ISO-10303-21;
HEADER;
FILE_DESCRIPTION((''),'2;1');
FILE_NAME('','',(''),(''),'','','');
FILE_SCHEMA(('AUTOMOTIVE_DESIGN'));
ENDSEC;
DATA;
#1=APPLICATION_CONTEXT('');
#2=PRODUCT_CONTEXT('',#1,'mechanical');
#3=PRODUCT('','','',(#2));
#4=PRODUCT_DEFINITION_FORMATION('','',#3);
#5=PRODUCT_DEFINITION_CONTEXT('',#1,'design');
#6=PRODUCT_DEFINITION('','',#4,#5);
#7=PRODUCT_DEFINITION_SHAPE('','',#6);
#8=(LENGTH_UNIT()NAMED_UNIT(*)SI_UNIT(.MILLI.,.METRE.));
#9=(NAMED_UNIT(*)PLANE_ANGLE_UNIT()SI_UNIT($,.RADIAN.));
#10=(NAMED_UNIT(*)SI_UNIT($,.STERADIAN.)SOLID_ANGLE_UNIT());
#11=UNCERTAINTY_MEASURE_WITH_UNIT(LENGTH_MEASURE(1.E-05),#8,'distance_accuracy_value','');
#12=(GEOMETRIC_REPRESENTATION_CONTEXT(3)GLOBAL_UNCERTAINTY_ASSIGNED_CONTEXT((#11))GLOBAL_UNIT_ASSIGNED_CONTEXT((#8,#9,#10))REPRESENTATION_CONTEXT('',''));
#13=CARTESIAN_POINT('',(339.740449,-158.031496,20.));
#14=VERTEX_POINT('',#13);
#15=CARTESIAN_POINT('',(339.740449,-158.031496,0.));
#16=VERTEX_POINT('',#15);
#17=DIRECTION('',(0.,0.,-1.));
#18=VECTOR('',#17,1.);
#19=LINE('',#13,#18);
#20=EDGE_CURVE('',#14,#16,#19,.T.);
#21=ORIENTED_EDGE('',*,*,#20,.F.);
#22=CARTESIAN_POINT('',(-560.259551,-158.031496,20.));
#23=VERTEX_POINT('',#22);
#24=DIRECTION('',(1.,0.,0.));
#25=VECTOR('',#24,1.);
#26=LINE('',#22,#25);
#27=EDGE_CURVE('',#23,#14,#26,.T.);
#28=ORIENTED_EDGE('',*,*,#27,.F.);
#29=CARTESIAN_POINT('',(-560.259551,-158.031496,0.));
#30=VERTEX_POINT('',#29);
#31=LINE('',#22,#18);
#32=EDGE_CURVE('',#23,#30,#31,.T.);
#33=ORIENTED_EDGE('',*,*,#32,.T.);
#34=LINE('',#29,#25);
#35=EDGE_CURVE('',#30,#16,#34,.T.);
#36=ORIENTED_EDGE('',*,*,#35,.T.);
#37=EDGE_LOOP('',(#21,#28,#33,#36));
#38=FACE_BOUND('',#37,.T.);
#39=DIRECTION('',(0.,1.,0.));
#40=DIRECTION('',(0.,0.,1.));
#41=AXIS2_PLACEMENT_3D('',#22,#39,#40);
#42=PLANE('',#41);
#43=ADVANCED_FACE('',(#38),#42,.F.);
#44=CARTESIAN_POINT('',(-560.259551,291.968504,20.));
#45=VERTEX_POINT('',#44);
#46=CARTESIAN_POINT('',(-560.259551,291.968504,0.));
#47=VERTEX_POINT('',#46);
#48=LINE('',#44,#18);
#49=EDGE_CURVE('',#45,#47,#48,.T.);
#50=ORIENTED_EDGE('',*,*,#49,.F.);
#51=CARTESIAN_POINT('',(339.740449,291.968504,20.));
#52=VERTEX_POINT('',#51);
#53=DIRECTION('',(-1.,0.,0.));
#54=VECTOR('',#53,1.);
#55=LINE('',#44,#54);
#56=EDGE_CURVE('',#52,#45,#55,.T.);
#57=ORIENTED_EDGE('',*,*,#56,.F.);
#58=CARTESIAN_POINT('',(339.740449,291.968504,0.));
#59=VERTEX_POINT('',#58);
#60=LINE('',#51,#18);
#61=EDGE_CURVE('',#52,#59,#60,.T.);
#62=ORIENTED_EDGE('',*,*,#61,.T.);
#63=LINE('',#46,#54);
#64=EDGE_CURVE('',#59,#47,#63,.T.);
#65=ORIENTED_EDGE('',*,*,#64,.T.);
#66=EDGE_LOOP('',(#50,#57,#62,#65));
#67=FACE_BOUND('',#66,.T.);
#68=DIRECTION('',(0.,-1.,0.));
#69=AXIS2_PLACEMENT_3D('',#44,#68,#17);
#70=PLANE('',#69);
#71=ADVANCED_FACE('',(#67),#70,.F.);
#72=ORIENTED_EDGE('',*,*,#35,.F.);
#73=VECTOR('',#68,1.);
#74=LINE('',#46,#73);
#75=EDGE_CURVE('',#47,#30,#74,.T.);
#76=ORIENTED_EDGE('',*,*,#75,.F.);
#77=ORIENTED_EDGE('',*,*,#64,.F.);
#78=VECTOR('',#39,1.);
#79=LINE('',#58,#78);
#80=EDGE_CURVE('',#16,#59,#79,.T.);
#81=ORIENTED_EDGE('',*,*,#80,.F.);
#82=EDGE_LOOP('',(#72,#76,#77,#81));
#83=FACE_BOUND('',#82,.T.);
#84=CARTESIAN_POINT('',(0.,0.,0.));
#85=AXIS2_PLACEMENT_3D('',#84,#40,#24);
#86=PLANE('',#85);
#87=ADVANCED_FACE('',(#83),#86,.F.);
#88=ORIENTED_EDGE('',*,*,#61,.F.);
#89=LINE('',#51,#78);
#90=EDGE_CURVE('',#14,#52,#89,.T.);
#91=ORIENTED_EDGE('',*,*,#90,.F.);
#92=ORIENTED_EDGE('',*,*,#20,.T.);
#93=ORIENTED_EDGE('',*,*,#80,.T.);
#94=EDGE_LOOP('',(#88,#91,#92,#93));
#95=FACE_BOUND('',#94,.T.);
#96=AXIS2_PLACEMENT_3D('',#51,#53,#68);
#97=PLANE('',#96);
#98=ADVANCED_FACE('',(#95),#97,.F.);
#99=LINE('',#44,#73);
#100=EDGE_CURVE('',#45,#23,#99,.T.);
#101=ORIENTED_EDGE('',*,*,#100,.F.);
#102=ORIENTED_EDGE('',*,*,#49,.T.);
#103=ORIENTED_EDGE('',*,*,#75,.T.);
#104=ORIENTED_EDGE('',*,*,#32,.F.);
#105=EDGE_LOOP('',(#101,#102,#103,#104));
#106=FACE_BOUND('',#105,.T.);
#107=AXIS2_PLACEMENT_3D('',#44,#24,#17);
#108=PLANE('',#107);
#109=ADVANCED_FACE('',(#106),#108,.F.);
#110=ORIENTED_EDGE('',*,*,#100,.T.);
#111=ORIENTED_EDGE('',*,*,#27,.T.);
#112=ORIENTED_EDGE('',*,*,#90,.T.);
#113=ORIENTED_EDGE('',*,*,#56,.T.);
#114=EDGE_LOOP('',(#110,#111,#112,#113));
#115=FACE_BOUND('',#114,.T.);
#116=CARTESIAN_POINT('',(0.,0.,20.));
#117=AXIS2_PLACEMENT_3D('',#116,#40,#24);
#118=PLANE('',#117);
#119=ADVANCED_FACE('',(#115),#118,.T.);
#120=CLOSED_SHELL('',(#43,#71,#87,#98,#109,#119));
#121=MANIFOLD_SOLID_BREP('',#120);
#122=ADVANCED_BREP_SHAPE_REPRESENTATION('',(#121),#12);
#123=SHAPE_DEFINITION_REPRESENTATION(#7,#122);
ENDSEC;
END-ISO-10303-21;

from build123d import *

# Parameters (mm, degrees)
CROQUIS1_W              = 900
CROQUIS1_H              = 450
SALIENTE_EXTRUIR1_DEPTH = 20


with BuildPart() as part:
    # Croquis1 → Saliente-Extruir1 (new body)
    with BuildSketch(Plane.XY):
        with Locations((-110.259550889, 66.968503937)):
            Rectangle(CROQUIS1_W, CROQUIS1_H)
    extrude(amount=SALIENTE_EXTRUIR1_DEPTH)


solid = part.part
